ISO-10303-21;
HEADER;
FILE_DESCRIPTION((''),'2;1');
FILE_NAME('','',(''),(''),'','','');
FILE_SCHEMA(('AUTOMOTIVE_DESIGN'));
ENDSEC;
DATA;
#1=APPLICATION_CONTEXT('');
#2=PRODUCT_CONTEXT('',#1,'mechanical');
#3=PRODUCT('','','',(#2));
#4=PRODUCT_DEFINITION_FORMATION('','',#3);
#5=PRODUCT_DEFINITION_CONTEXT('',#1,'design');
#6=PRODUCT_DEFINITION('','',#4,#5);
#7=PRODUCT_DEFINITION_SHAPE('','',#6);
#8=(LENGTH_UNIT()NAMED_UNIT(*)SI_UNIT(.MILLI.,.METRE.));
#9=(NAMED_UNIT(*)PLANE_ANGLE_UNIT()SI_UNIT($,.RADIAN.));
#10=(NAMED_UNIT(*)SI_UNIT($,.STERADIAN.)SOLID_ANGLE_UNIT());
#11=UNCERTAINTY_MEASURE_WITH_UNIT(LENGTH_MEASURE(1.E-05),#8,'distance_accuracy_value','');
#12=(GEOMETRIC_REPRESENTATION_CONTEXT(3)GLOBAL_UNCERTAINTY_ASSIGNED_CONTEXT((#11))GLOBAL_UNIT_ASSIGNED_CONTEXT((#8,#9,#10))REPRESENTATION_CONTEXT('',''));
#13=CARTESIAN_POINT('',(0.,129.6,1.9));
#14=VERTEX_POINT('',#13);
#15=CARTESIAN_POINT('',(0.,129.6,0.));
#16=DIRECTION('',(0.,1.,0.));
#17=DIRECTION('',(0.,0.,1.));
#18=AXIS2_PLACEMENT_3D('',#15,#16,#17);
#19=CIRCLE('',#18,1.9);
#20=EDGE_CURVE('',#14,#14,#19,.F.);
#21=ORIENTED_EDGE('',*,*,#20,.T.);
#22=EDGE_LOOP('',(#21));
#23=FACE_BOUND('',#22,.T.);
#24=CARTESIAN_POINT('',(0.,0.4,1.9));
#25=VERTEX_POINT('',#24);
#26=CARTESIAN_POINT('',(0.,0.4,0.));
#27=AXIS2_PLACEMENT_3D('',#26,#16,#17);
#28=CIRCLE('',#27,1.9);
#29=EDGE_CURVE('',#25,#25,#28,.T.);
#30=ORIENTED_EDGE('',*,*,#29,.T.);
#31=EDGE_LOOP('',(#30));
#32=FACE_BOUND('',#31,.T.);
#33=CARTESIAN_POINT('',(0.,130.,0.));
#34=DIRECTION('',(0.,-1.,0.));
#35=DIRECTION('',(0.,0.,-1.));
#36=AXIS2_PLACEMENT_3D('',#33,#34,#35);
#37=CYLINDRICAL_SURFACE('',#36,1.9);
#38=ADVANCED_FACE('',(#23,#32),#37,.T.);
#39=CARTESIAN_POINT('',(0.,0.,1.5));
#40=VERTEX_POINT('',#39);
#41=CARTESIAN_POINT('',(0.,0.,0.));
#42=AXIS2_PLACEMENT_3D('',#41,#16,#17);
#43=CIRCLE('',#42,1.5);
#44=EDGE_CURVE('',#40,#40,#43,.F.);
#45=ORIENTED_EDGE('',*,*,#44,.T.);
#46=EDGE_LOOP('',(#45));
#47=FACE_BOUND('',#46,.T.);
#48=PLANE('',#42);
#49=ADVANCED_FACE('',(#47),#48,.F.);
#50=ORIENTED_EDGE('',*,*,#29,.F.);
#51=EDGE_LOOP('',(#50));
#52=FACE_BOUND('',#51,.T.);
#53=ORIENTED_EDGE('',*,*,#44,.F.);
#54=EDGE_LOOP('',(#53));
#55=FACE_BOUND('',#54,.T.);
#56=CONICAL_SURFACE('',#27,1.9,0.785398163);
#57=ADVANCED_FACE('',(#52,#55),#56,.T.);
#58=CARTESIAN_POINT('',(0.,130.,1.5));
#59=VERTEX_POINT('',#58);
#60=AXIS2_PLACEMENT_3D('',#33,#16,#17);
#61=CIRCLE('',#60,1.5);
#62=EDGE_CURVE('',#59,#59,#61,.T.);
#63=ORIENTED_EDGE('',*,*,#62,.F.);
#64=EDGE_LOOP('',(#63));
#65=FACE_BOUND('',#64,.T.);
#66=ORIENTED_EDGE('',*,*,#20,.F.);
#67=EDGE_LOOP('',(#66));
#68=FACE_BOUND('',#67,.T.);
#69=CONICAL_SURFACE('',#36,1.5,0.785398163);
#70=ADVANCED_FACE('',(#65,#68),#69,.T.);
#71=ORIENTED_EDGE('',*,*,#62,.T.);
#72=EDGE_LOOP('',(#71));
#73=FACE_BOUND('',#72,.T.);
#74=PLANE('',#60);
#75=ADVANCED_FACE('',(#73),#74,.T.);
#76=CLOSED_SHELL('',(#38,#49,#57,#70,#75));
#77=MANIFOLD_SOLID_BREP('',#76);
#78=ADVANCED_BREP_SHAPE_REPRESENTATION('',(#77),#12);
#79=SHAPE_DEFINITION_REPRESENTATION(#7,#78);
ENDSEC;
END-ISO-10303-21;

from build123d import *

# Parameters (mm, degrees)
M4_DIAMETER_SKETCH_R = 1.9
BOSS_EXTRUDE1_DEPTH  = 130
CHAMFER1_SIZE        = 0.4


with BuildPart() as part:
    # m4 diameter sketch → Boss-Extrude1 (new body)
    with BuildSketch(Plane(origin=(0, 0, 0), x_dir=(1, 0, 0), z_dir=(0, 1, 0))):
        with Locations(Location((0, 0, 0), (0, 0, 270))):
            Circle(M4_DIAMETER_SKETCH_R)
    extrude(amount=BOSS_EXTRUDE1_DEPTH)

    # Chamfer1
    chamfer1_edges = [part.edges().sort_by_distance(p)[0] for p in [
        (0, 0, -1.9),
        (0, 130, -1.9),
    ]]
    chamfer(chamfer1_edges, length=CHAMFER1_SIZE)


solid = part.part
